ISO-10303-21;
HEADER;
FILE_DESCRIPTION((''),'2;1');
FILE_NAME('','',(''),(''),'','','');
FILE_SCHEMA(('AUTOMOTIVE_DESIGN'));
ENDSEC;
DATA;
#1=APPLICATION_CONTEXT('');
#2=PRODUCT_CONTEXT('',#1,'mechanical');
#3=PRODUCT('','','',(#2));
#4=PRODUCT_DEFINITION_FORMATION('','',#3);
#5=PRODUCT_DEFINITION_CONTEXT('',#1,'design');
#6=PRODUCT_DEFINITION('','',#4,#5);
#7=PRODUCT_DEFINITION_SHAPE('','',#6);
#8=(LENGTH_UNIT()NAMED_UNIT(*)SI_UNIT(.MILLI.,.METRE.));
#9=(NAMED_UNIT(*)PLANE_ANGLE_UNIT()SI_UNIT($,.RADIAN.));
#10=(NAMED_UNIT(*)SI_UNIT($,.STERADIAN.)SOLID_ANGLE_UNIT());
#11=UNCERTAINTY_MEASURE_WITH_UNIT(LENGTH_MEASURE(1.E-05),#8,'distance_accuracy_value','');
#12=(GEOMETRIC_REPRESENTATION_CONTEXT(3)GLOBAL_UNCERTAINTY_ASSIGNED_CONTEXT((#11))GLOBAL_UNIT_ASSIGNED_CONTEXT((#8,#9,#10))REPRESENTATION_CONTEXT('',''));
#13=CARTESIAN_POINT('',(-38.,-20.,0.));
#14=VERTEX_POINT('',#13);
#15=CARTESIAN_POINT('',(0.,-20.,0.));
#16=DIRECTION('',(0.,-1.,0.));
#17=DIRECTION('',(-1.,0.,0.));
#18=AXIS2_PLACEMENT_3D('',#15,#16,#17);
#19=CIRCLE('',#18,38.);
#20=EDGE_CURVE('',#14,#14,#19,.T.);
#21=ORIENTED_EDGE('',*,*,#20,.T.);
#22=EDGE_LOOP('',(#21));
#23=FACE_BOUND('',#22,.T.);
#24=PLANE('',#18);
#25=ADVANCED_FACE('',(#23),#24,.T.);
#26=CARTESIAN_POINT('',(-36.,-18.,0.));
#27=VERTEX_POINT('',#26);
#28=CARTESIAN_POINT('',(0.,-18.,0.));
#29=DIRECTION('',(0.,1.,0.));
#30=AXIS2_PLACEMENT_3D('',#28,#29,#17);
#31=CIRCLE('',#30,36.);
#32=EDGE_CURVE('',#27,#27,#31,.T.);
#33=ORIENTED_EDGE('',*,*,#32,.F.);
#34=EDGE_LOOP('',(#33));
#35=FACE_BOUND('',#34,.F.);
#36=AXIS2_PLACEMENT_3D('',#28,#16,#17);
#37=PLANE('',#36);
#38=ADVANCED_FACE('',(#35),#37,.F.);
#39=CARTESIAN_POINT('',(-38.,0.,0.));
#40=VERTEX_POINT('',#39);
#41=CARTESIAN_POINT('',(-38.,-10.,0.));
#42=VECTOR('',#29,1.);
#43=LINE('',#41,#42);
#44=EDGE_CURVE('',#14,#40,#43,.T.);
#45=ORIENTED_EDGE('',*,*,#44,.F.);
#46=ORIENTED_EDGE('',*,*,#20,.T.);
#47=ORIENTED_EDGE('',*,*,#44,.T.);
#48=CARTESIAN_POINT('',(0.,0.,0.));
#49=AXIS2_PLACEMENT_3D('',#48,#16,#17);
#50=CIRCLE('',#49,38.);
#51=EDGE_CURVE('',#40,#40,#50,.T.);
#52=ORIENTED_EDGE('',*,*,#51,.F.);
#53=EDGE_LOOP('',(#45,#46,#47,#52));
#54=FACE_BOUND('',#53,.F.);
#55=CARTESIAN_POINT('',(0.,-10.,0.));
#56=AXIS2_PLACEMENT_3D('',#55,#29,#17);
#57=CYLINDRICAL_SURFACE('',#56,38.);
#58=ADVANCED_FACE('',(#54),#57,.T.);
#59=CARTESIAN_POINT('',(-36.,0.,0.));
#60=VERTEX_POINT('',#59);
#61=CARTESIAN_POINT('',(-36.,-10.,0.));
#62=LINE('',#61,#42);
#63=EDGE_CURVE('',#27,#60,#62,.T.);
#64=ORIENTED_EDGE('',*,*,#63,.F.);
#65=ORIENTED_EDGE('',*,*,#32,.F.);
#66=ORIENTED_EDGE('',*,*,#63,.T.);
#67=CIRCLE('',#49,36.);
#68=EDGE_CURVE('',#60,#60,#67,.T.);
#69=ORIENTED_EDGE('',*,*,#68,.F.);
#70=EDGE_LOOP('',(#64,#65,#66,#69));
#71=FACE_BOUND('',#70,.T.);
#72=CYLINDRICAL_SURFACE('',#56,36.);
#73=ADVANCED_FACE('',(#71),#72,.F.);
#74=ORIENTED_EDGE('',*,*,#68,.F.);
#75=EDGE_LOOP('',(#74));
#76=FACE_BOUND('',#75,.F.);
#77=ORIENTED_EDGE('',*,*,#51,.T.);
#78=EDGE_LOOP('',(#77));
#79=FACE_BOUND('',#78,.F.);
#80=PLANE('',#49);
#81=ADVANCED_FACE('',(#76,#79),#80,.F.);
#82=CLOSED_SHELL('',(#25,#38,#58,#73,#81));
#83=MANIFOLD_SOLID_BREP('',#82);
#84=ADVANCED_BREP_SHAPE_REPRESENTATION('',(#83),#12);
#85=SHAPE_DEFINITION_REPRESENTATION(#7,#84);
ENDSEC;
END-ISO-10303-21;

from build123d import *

# Parameters (mm, degrees)
F0_W = 38
F0_H = 20
F2_T = -2


with BuildPart() as f1:
    # F0 (on Top) → F1 (revolve)
    with BuildSketch(Plane.XY):
        with Locations((-19, -10)):
            Rectangle(F0_W, F0_H)
    revolve(axis=Axis((0, -10, 0), (0, -1, 0)))

    # F2
    f2_openings = [f1.faces().sort_by_distance(p)[0] for p in [
        (0, 0, 0),
    ]]
    offset(amount=F2_T, openings=f2_openings)


solid = f1.part
